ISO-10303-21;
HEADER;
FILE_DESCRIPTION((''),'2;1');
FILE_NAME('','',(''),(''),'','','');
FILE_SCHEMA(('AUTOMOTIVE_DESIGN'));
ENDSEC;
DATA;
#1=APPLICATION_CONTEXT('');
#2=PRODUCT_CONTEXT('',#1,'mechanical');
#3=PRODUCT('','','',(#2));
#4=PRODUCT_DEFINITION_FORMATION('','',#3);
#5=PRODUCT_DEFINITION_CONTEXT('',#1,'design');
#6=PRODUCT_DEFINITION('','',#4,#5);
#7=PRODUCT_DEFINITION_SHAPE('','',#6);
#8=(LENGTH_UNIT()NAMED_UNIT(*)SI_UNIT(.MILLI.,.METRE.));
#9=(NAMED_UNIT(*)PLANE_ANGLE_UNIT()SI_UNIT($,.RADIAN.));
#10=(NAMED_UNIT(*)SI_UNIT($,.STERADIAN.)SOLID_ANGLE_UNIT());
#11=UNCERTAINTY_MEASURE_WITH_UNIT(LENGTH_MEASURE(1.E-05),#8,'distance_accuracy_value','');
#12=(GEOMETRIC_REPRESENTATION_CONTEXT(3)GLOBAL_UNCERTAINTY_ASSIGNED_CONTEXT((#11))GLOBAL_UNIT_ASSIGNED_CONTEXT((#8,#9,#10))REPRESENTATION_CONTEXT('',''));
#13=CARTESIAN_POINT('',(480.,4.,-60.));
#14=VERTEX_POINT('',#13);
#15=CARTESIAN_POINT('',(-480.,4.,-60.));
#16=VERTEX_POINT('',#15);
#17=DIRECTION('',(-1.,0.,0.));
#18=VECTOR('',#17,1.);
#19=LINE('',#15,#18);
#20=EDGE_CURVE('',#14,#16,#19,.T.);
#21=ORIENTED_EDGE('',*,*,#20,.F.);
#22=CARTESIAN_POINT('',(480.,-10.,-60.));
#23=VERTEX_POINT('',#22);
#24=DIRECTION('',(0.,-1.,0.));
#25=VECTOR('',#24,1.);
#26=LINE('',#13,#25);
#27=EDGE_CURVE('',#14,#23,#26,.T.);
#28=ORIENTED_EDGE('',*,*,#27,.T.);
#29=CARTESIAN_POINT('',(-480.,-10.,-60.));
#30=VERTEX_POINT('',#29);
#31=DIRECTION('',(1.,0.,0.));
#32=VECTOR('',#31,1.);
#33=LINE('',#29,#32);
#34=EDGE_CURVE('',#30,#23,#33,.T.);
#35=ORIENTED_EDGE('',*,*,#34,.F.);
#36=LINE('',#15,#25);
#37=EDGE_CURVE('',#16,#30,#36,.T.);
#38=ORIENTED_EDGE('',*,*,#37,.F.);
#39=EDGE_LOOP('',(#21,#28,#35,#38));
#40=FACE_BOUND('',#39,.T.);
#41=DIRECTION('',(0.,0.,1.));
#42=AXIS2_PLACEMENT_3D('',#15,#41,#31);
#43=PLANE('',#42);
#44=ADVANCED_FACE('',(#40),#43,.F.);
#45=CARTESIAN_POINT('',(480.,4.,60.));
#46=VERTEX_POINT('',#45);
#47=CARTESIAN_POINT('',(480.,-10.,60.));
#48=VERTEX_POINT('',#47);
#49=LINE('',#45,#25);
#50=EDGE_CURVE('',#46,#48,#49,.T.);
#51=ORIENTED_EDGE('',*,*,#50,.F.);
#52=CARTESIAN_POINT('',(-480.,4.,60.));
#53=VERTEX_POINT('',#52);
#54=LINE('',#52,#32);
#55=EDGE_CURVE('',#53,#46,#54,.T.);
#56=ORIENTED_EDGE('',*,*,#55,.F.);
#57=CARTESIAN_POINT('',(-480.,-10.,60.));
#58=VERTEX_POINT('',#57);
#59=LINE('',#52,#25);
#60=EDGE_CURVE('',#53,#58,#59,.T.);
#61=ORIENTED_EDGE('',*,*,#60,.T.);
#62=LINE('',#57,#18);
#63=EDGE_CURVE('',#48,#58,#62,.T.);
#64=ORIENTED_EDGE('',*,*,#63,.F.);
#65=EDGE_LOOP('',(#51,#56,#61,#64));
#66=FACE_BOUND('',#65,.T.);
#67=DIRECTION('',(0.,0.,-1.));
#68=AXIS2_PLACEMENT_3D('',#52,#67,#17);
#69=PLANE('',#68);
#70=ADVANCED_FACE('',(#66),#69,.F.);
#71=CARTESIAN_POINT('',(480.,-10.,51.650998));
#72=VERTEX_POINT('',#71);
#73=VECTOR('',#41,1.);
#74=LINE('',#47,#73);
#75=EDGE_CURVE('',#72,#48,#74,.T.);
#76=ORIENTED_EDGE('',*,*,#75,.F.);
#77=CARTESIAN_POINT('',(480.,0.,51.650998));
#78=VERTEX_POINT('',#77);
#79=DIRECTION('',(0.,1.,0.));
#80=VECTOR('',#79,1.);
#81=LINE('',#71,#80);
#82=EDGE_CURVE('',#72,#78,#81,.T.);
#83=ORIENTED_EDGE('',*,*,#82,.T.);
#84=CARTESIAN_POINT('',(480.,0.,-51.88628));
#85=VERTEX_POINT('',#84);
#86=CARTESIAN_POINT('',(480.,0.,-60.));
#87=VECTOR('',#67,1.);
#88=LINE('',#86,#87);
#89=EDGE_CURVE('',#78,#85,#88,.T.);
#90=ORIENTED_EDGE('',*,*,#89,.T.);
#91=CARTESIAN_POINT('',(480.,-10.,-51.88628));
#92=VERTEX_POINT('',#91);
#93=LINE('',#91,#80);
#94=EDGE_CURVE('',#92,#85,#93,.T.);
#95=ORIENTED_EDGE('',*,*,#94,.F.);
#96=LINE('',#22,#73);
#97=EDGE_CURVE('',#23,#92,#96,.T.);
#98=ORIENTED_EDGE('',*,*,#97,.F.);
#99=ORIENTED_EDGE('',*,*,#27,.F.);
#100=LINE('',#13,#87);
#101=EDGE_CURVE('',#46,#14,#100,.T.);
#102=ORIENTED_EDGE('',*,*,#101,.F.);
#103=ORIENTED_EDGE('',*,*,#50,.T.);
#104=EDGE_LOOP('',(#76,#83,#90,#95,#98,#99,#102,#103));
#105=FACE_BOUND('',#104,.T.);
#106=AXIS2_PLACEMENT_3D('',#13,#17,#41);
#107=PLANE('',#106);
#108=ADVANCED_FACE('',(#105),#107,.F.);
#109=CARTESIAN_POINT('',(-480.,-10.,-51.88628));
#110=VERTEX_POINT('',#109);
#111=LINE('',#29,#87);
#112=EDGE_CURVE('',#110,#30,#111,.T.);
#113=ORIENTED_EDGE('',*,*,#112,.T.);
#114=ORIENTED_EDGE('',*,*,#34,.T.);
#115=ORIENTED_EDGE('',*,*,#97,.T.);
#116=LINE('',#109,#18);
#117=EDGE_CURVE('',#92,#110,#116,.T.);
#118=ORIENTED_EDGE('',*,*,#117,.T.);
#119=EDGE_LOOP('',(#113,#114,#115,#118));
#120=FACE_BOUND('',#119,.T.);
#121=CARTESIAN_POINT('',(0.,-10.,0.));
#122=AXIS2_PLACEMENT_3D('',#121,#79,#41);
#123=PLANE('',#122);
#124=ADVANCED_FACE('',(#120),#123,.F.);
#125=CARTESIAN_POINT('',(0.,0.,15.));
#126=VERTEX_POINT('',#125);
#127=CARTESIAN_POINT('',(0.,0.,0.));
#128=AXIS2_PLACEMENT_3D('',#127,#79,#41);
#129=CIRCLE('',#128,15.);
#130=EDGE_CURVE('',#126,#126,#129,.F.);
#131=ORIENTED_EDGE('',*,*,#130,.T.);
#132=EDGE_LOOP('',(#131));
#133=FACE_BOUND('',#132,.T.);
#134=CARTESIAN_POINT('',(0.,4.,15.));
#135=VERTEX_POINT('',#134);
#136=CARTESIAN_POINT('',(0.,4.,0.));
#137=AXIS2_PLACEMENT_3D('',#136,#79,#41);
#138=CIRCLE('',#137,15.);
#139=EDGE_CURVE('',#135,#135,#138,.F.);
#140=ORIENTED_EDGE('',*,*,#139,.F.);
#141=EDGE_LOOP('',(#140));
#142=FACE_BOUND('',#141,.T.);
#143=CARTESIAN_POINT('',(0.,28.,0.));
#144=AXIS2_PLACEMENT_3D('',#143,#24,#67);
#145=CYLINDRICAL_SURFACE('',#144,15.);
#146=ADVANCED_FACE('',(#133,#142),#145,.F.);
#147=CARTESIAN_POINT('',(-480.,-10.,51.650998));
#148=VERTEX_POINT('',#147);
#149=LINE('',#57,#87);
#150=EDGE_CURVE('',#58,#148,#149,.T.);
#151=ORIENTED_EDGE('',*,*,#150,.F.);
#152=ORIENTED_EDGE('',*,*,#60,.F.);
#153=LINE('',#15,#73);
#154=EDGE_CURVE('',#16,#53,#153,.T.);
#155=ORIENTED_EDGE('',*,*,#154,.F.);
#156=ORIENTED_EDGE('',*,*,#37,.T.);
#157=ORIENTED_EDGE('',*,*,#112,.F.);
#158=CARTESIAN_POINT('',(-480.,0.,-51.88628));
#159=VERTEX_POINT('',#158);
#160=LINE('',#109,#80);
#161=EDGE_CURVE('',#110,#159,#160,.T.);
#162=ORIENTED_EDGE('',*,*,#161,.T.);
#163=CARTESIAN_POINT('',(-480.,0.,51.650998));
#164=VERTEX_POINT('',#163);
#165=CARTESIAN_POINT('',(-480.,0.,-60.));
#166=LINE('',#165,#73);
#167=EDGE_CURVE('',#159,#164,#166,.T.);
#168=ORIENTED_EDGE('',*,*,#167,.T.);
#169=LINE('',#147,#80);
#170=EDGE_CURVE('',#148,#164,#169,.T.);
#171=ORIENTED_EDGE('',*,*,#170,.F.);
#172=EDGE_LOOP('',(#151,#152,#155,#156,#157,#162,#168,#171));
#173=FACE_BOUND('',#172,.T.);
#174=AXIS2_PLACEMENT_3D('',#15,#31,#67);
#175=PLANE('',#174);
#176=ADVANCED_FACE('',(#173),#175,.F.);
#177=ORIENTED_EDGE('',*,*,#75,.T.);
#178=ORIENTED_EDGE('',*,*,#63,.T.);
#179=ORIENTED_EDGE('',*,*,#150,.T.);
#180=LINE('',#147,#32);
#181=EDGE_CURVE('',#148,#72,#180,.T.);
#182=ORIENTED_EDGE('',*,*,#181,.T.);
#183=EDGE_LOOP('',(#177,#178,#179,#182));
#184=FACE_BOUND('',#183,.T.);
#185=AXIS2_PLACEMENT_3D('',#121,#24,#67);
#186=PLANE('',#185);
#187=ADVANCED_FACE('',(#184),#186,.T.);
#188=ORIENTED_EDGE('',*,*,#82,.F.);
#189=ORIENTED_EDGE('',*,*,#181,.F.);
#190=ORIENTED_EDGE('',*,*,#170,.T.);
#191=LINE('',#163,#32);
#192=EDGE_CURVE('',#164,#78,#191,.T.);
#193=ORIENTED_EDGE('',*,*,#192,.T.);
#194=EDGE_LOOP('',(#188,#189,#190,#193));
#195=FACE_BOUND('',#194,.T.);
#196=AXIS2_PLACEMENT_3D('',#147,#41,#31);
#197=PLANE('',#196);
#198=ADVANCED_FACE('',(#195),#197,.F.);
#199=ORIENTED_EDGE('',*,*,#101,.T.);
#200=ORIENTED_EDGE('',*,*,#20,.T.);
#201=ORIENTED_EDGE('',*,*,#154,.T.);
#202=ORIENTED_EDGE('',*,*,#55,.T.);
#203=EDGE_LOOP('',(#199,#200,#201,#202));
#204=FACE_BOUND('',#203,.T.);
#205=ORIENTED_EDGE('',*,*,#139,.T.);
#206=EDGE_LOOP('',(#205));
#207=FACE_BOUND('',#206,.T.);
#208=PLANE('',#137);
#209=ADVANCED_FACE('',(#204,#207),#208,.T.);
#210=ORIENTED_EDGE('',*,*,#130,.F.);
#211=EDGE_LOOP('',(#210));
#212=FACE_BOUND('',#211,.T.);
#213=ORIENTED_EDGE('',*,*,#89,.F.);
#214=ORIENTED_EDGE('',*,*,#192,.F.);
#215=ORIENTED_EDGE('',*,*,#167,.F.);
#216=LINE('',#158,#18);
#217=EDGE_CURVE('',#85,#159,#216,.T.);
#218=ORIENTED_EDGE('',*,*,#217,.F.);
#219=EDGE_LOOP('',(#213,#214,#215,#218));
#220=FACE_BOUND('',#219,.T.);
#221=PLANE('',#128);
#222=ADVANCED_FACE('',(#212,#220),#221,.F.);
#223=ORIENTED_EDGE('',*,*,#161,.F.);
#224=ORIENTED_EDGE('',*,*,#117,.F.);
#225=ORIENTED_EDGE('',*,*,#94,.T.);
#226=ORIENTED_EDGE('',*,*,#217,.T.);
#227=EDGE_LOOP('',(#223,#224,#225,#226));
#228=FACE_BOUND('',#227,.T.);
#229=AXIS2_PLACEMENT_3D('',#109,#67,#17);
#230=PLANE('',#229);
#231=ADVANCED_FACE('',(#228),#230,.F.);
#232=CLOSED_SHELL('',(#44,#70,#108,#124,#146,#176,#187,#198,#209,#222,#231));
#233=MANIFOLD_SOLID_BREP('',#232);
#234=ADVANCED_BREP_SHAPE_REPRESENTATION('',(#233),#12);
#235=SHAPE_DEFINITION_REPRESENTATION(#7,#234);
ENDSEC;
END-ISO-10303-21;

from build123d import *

# Parameters (mm, degrees)
SKETCH1_W               = 960
SKETCH1_H               = 120
BOSS_EXTRUDE1_DEPTH     = 4
CUT_EXTRUDE1_DEPTH      = 24
CUT_EXTRUDE1_DEPTH_BACK = 13
SKETCH2_R               = 15
SKETCH3_W               = 960
SKETCH3_H               = 8.349001696
BOSS_EXTRUDE2_DEPTH     = 10
SKETCH4_W               = 960
SKETCH4_H               = 8.113720408
BOSS_EXTRUDE3_DEPTH     = 10


with BuildPart() as part:
    # Sketch1 → Boss-Extrude1 (new body)
    with BuildSketch(Plane(origin=(0, 0, 0), x_dir=(1, 0, 0), z_dir=(0, 1, 0))):
        Rectangle(SKETCH1_W, SKETCH1_H)
    extrude(amount=BOSS_EXTRUDE1_DEPTH)

    # Sketch2 → Cut-Extrude1 (cut, two sides: drawn at the far end of the back side and taken through both)
    with BuildSketch(Plane(origin=(0, 4, 0), x_dir=(1, 0, 0), z_dir=(0, 1, 0)).offset(-CUT_EXTRUDE1_DEPTH_BACK)):
        with Locations(Location((0, 0, 0), (0, 0, 270))):
            Circle(SKETCH2_R)
    extrude(amount=CUT_EXTRUDE1_DEPTH + CUT_EXTRUDE1_DEPTH_BACK, mode=Mode.SUBTRACT)

    # Sketch3 → Boss-Extrude2 (add)
    with BuildSketch(Plane.XZ):
        with Locations((0, 55.825499152)):
            Rectangle(SKETCH3_W, SKETCH3_H)
    extrude(amount=BOSS_EXTRUDE2_DEPTH)

    # Sketch4 → Boss-Extrude3 (add)
    with BuildSketch(Plane.XZ):
        with Locations((0, -55.943139796)):
            Rectangle(SKETCH4_W, SKETCH4_H)
    extrude(amount=BOSS_EXTRUDE3_DEPTH)


solid = part.part
